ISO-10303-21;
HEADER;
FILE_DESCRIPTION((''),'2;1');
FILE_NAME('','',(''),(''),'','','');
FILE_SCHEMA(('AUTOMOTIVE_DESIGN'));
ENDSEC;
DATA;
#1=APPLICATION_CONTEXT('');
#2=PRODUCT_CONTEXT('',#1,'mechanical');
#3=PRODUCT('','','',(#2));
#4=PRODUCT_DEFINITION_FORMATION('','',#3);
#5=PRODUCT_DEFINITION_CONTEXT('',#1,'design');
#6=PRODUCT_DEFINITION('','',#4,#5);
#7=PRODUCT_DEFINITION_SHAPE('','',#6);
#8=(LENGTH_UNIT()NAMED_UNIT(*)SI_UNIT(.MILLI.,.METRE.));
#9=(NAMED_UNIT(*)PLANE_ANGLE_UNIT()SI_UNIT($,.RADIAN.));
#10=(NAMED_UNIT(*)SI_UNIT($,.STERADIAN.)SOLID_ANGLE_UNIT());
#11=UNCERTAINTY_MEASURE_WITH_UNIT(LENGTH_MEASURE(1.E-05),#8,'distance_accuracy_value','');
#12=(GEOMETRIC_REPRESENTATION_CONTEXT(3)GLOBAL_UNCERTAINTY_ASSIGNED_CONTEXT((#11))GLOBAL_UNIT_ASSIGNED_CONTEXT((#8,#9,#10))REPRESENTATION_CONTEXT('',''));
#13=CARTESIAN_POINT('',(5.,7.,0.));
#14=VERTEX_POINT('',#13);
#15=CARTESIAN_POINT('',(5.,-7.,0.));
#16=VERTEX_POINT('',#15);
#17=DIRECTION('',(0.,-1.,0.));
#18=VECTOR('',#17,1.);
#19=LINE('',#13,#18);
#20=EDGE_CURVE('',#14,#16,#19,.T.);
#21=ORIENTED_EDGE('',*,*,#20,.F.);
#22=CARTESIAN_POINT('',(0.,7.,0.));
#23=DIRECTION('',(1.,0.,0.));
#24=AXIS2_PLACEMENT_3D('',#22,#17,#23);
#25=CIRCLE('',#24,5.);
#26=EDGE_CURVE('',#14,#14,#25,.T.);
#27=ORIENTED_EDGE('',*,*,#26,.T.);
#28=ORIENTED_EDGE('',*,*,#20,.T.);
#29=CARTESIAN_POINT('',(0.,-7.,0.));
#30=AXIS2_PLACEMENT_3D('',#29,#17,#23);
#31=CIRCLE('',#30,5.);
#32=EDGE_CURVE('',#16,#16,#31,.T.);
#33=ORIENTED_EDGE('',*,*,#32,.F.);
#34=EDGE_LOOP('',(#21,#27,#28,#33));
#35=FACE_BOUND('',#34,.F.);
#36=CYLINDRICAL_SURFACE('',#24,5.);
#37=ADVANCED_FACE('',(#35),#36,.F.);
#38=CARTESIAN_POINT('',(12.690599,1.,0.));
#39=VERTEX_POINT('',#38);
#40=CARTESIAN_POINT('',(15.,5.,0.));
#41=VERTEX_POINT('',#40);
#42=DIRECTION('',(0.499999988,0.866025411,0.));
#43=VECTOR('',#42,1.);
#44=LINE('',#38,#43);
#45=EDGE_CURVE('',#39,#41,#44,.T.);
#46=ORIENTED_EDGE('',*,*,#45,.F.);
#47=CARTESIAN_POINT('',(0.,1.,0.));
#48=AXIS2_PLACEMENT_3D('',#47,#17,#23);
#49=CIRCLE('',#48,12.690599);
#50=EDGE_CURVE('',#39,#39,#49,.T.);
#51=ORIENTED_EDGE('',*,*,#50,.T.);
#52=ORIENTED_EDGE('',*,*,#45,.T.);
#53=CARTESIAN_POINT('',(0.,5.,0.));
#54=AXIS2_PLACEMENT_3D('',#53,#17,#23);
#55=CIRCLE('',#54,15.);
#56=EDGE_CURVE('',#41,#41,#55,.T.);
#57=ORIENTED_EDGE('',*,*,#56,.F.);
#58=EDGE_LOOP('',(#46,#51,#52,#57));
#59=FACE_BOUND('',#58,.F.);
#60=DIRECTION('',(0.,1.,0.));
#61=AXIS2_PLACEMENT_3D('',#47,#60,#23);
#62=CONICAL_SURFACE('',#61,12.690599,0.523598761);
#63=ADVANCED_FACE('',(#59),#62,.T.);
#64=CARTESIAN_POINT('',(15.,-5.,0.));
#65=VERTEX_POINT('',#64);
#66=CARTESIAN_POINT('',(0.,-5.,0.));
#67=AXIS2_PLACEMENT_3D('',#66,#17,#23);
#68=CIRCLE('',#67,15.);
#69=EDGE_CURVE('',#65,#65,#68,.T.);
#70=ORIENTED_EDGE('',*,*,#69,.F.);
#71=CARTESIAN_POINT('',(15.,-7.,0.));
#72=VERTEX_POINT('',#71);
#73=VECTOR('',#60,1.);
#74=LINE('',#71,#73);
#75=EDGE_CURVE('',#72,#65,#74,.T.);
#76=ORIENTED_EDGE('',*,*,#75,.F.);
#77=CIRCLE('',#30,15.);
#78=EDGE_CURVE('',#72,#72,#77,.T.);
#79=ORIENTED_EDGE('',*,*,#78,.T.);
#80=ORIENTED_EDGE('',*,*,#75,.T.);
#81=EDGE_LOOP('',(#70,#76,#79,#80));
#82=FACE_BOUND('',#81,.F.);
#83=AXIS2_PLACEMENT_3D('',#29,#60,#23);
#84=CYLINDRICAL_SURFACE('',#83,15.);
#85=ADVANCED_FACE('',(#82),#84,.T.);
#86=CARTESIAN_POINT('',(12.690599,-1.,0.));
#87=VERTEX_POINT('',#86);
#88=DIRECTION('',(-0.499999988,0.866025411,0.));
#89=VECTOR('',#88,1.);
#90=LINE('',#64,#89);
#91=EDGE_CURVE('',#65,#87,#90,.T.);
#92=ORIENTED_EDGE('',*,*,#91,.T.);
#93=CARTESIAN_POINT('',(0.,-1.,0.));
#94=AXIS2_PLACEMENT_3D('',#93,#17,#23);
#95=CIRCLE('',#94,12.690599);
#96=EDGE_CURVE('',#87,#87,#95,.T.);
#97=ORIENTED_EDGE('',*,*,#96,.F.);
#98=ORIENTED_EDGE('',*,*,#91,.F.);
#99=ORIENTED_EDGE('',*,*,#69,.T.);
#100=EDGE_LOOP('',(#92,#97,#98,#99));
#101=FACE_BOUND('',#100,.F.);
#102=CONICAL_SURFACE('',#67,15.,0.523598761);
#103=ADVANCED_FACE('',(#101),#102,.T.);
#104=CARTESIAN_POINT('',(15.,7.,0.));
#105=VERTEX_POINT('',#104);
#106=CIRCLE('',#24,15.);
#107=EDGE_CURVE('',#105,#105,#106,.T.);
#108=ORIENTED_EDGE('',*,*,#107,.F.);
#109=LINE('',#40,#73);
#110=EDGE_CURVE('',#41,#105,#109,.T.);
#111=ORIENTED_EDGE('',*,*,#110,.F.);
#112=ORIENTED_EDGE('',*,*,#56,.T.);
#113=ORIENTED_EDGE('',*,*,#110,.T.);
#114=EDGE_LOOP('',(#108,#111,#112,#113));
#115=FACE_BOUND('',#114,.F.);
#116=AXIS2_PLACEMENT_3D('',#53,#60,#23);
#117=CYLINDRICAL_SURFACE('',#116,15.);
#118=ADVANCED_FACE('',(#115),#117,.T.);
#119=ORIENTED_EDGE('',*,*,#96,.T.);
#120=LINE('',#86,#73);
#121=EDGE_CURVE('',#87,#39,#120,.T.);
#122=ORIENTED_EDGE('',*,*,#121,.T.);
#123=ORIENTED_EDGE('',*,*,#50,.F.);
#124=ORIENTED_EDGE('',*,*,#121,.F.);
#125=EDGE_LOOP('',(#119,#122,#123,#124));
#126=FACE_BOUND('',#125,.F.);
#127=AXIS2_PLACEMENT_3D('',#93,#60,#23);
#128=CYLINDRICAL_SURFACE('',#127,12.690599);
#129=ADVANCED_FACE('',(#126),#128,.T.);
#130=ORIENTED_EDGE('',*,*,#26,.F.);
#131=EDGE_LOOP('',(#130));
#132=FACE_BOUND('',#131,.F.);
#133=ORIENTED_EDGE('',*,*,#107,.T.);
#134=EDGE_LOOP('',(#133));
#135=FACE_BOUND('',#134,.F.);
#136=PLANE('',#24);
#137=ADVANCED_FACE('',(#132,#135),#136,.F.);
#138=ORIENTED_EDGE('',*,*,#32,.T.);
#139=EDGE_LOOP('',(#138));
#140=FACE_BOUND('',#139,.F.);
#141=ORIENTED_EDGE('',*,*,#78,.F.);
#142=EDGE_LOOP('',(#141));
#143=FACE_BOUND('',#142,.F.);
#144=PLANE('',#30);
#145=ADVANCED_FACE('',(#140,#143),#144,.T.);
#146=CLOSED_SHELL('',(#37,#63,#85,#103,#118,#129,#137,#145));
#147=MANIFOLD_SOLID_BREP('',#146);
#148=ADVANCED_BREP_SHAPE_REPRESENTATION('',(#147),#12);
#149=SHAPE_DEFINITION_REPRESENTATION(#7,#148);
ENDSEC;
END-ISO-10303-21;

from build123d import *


with BuildPart() as f1:
    # F0 (on Top) → F1 (revolve)
    with BuildSketch(Plane.XY):
        Polygon((5, 0), (5, -7), (15, -7), (15, -5), (12.690599, -1), (12.690599, 1), (15, 5), (15, 7), (5, 7), align=None)
    revolve(axis=Axis((0, 0, 0), (0, -1, 0)))


solid = f1.part
